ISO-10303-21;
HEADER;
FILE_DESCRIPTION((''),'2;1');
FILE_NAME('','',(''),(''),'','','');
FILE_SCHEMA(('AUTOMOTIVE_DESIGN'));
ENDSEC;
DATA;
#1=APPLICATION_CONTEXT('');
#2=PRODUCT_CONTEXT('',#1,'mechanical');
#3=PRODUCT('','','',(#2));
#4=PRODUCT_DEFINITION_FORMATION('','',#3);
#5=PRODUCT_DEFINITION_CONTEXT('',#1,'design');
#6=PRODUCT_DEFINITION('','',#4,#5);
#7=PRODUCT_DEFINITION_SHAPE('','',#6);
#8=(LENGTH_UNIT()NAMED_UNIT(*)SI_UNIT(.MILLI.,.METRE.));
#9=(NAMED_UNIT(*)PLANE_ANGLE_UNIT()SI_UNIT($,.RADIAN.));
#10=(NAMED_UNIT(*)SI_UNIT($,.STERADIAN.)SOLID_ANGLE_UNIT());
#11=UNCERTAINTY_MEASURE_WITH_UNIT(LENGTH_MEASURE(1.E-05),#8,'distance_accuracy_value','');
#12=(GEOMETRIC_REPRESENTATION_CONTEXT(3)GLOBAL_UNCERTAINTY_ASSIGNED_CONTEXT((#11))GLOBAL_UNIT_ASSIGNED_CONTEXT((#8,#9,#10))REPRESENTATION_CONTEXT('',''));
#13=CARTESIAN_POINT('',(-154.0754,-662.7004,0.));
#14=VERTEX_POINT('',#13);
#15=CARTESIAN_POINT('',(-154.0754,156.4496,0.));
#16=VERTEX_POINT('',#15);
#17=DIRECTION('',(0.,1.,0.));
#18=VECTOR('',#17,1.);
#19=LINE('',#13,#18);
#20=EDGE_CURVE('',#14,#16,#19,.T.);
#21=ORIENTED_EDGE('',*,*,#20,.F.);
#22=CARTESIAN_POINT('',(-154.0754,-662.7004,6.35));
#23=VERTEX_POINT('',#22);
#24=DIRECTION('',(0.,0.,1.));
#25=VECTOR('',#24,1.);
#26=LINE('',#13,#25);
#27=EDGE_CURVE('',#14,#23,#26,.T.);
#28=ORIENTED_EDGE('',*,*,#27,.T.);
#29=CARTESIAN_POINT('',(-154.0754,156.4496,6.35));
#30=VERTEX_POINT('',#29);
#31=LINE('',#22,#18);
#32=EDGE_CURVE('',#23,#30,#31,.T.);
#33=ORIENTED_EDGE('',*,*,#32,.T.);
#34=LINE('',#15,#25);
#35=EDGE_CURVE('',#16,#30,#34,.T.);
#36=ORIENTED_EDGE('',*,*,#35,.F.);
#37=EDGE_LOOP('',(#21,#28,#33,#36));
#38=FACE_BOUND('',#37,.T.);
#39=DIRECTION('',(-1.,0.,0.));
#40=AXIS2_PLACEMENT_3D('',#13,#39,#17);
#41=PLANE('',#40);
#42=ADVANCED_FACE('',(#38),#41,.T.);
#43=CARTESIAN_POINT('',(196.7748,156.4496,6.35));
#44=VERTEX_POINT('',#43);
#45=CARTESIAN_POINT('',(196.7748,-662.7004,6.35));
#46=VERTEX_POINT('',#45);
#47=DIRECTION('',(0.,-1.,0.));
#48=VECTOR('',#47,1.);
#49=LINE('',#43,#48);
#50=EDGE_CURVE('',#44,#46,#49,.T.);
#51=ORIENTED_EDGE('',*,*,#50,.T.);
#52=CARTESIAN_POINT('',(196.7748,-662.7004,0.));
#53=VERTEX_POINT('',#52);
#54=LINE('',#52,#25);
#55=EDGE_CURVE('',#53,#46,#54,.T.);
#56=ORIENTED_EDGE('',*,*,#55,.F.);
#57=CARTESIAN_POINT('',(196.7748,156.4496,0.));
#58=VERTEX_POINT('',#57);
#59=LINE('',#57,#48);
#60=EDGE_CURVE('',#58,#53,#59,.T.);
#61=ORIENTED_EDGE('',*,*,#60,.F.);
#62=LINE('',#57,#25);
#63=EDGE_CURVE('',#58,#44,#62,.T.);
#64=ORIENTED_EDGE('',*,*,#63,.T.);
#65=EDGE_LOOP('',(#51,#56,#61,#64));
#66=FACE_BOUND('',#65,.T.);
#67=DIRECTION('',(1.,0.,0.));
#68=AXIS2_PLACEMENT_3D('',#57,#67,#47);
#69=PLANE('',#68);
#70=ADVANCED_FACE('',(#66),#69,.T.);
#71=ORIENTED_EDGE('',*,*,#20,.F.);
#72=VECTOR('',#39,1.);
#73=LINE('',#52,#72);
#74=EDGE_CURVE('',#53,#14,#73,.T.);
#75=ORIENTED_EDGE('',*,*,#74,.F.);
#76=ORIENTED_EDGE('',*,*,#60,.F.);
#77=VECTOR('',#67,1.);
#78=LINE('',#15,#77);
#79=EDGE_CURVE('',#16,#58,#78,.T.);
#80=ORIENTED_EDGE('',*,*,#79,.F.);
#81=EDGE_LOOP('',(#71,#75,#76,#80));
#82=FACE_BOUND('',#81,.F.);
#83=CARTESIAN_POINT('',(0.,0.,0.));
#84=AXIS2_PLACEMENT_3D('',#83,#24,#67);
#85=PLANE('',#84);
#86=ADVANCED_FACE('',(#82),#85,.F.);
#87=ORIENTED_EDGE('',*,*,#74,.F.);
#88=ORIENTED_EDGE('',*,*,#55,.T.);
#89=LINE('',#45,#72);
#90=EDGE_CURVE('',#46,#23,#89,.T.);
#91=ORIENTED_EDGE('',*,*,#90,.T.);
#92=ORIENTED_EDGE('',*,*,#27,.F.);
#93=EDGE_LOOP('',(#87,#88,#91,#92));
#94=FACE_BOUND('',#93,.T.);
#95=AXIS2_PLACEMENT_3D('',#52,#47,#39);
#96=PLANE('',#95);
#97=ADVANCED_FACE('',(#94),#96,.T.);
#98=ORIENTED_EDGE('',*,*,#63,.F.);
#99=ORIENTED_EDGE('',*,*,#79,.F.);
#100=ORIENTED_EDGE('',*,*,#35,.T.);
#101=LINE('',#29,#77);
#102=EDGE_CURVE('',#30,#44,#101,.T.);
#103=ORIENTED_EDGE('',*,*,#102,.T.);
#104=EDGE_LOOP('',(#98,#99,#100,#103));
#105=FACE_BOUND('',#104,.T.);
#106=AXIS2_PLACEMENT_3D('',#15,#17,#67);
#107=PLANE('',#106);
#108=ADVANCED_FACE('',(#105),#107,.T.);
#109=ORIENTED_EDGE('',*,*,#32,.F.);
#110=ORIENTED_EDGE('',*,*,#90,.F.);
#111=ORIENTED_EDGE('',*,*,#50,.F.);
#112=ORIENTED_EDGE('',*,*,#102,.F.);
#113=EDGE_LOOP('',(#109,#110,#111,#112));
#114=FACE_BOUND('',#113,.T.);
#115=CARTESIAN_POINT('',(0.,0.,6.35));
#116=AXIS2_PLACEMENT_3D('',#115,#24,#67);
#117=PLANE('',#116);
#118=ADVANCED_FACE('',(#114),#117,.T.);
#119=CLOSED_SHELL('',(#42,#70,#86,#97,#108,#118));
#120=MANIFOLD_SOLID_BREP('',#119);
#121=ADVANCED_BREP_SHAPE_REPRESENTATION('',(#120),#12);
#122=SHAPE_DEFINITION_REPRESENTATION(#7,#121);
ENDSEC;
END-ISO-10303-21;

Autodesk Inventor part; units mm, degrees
ref_plane "YZ Plane" through (0, 0, 0) normal (1, 0, 0) x (0, 1, 0)
ref_plane "XZ Plane" through (0, 0, 0) normal (0, 1, 0) x (-1, 0, 0)
ref_plane "XY Plane" through (0, 0, 0) normal (0, 0, 1) x (1, 0, 0)
sketch "Sketch1" plane through (0, 0, 0) normal (0, 0, 1) x (1, 0, 0)
  line L0 (-154.0754, 156.4496) -> (196.7748, 156.4496)
  line L1 (196.7748, 156.4496) -> (196.7748, -662.7004)
  line L2 (196.7748, -662.7004) -> (-154.0754, -662.7004)
  line L3 (-154.0754, -662.7004) -> (-154.0754, 156.4496)
  point P0 (0, 0)
  dimension "d0" = 350.8502
  dimension "d1" = 819.15
extrude "Extrusion1" add sketch "Sketch1" along normal blind 6.35
properties part number "Door moulding slide-in panel" material "Wood (Oak)"
